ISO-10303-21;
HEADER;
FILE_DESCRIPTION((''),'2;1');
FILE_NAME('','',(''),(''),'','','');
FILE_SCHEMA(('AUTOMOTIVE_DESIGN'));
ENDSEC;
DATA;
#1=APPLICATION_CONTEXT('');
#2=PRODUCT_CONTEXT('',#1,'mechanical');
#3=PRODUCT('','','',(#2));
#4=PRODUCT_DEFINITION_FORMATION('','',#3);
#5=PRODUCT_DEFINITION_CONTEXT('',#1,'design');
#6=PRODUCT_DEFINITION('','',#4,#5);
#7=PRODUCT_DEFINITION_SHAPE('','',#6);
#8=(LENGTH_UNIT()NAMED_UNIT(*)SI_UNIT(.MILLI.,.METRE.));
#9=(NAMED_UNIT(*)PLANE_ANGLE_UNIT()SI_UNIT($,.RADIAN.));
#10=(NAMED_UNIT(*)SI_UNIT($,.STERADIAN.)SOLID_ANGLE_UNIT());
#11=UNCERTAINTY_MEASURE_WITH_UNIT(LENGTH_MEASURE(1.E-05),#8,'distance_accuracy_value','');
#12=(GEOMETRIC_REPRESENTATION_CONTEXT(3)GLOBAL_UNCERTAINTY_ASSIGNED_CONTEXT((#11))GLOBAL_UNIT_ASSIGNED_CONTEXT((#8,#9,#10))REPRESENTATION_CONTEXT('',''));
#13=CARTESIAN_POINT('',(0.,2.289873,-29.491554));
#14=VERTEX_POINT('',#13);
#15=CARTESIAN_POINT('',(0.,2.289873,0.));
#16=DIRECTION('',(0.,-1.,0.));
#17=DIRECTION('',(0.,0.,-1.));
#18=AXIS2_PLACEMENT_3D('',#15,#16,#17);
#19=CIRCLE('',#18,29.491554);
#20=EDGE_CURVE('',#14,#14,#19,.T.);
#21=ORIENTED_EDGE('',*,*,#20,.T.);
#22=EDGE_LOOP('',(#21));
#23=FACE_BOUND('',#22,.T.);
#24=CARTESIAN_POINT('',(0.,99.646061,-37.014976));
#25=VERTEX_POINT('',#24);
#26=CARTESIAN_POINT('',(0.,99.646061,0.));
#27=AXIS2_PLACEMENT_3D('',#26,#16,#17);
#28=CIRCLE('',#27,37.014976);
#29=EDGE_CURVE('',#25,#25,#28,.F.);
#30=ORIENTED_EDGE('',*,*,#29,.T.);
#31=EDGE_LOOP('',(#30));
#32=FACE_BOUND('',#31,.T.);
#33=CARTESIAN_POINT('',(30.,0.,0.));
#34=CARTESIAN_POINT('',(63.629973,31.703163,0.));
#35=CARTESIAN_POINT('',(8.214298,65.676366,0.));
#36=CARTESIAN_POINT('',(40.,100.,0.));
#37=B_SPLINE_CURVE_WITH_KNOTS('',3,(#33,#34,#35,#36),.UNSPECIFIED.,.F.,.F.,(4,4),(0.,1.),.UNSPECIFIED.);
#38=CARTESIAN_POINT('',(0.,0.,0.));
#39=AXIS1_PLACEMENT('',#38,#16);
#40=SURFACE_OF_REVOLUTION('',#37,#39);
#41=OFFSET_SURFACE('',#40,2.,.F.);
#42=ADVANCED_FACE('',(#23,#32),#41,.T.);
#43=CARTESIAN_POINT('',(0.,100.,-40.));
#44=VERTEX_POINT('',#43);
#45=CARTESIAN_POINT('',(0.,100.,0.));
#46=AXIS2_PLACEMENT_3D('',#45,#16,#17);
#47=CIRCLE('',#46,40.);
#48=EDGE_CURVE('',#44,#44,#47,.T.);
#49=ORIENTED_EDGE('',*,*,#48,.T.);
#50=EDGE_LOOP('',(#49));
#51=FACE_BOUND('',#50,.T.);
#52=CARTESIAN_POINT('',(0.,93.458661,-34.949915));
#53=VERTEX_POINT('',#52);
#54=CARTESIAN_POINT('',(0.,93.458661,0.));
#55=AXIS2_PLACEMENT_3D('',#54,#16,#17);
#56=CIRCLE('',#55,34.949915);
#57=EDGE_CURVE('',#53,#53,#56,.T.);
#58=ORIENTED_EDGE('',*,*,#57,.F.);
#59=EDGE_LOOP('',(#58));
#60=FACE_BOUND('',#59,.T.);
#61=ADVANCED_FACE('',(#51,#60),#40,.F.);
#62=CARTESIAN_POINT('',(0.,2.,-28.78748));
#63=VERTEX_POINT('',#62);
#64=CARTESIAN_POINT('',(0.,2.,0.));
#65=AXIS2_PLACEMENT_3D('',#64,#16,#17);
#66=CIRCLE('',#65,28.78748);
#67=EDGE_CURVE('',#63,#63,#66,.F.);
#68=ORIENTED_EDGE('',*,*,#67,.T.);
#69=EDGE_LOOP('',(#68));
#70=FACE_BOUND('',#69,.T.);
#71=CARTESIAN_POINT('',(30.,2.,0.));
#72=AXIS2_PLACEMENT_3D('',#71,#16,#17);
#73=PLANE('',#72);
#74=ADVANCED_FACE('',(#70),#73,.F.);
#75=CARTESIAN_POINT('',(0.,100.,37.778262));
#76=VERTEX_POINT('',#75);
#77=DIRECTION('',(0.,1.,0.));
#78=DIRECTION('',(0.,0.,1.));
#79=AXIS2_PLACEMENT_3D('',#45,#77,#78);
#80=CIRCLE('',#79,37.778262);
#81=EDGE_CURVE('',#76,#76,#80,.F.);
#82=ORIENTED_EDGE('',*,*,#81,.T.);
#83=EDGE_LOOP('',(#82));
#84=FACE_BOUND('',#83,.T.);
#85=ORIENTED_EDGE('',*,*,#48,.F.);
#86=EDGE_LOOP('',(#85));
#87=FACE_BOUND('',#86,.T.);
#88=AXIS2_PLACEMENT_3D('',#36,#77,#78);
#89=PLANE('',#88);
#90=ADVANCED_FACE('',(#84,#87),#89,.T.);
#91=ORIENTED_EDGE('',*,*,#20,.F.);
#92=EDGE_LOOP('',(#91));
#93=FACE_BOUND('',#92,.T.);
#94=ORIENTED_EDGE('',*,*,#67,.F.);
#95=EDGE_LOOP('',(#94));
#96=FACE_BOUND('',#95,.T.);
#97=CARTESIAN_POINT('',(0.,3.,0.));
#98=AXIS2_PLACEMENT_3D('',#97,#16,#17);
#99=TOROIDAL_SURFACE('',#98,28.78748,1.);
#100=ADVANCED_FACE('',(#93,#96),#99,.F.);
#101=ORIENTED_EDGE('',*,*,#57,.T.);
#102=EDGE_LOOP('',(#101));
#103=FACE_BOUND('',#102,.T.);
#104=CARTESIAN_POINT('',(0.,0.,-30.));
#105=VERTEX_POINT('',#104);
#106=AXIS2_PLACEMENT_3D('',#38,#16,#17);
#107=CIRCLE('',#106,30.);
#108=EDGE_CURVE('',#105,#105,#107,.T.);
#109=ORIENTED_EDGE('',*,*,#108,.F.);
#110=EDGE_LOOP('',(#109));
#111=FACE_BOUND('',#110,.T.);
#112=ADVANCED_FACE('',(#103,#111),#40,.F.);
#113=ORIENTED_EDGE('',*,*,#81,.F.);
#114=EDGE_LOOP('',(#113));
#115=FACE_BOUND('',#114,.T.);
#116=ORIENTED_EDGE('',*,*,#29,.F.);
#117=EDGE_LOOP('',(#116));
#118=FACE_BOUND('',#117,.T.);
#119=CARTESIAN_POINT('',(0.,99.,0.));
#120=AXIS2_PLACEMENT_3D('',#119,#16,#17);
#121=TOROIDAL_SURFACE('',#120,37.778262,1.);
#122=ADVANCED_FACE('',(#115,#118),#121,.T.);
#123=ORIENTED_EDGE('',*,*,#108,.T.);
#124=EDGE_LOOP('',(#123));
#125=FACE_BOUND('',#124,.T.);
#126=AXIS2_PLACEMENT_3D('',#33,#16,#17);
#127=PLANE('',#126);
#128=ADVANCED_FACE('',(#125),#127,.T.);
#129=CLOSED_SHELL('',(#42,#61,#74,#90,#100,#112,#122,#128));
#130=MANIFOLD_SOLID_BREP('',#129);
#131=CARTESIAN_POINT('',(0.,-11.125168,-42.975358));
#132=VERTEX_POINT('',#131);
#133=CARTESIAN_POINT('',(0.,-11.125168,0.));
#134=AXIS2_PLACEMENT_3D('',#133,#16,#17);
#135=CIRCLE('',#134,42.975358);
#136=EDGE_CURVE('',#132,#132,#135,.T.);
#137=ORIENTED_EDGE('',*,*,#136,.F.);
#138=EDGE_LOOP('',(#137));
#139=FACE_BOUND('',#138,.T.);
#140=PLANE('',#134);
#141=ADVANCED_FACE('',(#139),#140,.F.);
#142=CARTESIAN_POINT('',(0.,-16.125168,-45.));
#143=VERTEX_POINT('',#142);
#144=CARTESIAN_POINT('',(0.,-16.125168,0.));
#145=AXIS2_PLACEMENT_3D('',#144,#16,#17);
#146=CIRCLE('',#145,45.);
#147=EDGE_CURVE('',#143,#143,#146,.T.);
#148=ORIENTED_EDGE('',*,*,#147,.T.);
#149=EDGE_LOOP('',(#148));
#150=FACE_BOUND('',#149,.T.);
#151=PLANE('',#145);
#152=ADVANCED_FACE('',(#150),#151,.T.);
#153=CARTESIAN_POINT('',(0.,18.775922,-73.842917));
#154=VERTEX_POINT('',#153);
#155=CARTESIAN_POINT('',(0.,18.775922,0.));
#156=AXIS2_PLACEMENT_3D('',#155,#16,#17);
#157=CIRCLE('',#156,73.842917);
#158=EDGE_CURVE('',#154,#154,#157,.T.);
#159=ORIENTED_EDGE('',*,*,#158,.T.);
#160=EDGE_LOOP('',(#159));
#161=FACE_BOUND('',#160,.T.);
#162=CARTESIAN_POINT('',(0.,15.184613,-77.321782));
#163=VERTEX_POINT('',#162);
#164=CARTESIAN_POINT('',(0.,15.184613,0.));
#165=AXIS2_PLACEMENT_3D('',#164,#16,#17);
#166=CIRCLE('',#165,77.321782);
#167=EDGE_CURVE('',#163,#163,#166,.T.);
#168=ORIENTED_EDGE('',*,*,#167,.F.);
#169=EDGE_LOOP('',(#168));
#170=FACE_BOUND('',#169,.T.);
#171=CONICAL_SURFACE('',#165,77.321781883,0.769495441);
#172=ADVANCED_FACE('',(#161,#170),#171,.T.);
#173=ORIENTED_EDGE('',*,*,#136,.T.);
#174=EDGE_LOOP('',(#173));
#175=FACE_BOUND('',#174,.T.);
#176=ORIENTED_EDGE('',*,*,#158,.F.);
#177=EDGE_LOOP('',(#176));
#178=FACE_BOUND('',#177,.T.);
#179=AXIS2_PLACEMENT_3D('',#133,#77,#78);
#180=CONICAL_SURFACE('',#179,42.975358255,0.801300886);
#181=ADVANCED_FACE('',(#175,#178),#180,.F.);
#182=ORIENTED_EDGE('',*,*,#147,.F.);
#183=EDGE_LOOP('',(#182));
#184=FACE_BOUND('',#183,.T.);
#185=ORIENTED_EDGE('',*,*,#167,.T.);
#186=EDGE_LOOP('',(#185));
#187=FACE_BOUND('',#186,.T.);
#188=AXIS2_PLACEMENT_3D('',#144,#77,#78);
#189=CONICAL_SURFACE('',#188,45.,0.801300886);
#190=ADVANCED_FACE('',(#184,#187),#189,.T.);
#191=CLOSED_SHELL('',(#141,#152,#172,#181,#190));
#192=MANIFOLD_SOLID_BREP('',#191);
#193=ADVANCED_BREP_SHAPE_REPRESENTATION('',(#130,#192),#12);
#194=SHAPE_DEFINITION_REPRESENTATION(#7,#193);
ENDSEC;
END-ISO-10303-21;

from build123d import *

# Parameters (mm, degrees)
SHELL26_T = -2
FILLET1_R = 1


with BuildPart() as part:
    # Sketch1 → Revolve2 (revolve)
    with BuildSketch(Plane.XY):
        with BuildLine():
            Line((40, 100), (0, 100))
            Line((0, 100), (0, 0))
            Line((0, 0), (30, 0))
            add(Edge.make_bspline(
                [(40, 100), (8.214298289, 65.676365866), (63.629973381, 31.703163026), (30, 0)],
                knots=[0, 0, 0, 0, 1, 1, 1, 1], degree=3))
        make_face()
    revolve(axis=Axis((0, 0, 0), (0, 1, 0)))

    # Shell26
    shell26_openings = [part.faces().sort_by_distance(p)[0] for p in [
        (0, 100, 0),
    ]]
    offset(amount=SHELL26_T, openings=shell26_openings, kind=Kind.INTERSECTION)

    # Fillet1
    fillet1_edges = [part.edges().sort_by_distance(p)[0] for p in [
        (-37.317425183, 100, 0),
        (-29.196581379, 2, 0),
    ]]
    fillet(fillet1_edges, radius=FILLET1_R)


with BuildPart() as body_2:
    # Sketch7 → Revolve-Thin2 (revolve)
    with BuildSketch(Plane.XY, mode=Mode.PRIVATE) as revolve_thin2_sk:
        Polygon((0, -16.125168338), (-45, -16.125168338), (-77.321781883, 15.184613135), (-73.842917275, 18.775922233), (-42.975358255, -11.125168338), (0, -11.125168338), align=None)
    revolve(revolve_thin2_sk.sketch.rotate(Axis((0, -16.125168338, 0), (0, 1, 0)), 270), axis=Axis((0, -16.125168338, 0), (0, 1, 0)))


solid = Compound([part.part, body_2.part])
